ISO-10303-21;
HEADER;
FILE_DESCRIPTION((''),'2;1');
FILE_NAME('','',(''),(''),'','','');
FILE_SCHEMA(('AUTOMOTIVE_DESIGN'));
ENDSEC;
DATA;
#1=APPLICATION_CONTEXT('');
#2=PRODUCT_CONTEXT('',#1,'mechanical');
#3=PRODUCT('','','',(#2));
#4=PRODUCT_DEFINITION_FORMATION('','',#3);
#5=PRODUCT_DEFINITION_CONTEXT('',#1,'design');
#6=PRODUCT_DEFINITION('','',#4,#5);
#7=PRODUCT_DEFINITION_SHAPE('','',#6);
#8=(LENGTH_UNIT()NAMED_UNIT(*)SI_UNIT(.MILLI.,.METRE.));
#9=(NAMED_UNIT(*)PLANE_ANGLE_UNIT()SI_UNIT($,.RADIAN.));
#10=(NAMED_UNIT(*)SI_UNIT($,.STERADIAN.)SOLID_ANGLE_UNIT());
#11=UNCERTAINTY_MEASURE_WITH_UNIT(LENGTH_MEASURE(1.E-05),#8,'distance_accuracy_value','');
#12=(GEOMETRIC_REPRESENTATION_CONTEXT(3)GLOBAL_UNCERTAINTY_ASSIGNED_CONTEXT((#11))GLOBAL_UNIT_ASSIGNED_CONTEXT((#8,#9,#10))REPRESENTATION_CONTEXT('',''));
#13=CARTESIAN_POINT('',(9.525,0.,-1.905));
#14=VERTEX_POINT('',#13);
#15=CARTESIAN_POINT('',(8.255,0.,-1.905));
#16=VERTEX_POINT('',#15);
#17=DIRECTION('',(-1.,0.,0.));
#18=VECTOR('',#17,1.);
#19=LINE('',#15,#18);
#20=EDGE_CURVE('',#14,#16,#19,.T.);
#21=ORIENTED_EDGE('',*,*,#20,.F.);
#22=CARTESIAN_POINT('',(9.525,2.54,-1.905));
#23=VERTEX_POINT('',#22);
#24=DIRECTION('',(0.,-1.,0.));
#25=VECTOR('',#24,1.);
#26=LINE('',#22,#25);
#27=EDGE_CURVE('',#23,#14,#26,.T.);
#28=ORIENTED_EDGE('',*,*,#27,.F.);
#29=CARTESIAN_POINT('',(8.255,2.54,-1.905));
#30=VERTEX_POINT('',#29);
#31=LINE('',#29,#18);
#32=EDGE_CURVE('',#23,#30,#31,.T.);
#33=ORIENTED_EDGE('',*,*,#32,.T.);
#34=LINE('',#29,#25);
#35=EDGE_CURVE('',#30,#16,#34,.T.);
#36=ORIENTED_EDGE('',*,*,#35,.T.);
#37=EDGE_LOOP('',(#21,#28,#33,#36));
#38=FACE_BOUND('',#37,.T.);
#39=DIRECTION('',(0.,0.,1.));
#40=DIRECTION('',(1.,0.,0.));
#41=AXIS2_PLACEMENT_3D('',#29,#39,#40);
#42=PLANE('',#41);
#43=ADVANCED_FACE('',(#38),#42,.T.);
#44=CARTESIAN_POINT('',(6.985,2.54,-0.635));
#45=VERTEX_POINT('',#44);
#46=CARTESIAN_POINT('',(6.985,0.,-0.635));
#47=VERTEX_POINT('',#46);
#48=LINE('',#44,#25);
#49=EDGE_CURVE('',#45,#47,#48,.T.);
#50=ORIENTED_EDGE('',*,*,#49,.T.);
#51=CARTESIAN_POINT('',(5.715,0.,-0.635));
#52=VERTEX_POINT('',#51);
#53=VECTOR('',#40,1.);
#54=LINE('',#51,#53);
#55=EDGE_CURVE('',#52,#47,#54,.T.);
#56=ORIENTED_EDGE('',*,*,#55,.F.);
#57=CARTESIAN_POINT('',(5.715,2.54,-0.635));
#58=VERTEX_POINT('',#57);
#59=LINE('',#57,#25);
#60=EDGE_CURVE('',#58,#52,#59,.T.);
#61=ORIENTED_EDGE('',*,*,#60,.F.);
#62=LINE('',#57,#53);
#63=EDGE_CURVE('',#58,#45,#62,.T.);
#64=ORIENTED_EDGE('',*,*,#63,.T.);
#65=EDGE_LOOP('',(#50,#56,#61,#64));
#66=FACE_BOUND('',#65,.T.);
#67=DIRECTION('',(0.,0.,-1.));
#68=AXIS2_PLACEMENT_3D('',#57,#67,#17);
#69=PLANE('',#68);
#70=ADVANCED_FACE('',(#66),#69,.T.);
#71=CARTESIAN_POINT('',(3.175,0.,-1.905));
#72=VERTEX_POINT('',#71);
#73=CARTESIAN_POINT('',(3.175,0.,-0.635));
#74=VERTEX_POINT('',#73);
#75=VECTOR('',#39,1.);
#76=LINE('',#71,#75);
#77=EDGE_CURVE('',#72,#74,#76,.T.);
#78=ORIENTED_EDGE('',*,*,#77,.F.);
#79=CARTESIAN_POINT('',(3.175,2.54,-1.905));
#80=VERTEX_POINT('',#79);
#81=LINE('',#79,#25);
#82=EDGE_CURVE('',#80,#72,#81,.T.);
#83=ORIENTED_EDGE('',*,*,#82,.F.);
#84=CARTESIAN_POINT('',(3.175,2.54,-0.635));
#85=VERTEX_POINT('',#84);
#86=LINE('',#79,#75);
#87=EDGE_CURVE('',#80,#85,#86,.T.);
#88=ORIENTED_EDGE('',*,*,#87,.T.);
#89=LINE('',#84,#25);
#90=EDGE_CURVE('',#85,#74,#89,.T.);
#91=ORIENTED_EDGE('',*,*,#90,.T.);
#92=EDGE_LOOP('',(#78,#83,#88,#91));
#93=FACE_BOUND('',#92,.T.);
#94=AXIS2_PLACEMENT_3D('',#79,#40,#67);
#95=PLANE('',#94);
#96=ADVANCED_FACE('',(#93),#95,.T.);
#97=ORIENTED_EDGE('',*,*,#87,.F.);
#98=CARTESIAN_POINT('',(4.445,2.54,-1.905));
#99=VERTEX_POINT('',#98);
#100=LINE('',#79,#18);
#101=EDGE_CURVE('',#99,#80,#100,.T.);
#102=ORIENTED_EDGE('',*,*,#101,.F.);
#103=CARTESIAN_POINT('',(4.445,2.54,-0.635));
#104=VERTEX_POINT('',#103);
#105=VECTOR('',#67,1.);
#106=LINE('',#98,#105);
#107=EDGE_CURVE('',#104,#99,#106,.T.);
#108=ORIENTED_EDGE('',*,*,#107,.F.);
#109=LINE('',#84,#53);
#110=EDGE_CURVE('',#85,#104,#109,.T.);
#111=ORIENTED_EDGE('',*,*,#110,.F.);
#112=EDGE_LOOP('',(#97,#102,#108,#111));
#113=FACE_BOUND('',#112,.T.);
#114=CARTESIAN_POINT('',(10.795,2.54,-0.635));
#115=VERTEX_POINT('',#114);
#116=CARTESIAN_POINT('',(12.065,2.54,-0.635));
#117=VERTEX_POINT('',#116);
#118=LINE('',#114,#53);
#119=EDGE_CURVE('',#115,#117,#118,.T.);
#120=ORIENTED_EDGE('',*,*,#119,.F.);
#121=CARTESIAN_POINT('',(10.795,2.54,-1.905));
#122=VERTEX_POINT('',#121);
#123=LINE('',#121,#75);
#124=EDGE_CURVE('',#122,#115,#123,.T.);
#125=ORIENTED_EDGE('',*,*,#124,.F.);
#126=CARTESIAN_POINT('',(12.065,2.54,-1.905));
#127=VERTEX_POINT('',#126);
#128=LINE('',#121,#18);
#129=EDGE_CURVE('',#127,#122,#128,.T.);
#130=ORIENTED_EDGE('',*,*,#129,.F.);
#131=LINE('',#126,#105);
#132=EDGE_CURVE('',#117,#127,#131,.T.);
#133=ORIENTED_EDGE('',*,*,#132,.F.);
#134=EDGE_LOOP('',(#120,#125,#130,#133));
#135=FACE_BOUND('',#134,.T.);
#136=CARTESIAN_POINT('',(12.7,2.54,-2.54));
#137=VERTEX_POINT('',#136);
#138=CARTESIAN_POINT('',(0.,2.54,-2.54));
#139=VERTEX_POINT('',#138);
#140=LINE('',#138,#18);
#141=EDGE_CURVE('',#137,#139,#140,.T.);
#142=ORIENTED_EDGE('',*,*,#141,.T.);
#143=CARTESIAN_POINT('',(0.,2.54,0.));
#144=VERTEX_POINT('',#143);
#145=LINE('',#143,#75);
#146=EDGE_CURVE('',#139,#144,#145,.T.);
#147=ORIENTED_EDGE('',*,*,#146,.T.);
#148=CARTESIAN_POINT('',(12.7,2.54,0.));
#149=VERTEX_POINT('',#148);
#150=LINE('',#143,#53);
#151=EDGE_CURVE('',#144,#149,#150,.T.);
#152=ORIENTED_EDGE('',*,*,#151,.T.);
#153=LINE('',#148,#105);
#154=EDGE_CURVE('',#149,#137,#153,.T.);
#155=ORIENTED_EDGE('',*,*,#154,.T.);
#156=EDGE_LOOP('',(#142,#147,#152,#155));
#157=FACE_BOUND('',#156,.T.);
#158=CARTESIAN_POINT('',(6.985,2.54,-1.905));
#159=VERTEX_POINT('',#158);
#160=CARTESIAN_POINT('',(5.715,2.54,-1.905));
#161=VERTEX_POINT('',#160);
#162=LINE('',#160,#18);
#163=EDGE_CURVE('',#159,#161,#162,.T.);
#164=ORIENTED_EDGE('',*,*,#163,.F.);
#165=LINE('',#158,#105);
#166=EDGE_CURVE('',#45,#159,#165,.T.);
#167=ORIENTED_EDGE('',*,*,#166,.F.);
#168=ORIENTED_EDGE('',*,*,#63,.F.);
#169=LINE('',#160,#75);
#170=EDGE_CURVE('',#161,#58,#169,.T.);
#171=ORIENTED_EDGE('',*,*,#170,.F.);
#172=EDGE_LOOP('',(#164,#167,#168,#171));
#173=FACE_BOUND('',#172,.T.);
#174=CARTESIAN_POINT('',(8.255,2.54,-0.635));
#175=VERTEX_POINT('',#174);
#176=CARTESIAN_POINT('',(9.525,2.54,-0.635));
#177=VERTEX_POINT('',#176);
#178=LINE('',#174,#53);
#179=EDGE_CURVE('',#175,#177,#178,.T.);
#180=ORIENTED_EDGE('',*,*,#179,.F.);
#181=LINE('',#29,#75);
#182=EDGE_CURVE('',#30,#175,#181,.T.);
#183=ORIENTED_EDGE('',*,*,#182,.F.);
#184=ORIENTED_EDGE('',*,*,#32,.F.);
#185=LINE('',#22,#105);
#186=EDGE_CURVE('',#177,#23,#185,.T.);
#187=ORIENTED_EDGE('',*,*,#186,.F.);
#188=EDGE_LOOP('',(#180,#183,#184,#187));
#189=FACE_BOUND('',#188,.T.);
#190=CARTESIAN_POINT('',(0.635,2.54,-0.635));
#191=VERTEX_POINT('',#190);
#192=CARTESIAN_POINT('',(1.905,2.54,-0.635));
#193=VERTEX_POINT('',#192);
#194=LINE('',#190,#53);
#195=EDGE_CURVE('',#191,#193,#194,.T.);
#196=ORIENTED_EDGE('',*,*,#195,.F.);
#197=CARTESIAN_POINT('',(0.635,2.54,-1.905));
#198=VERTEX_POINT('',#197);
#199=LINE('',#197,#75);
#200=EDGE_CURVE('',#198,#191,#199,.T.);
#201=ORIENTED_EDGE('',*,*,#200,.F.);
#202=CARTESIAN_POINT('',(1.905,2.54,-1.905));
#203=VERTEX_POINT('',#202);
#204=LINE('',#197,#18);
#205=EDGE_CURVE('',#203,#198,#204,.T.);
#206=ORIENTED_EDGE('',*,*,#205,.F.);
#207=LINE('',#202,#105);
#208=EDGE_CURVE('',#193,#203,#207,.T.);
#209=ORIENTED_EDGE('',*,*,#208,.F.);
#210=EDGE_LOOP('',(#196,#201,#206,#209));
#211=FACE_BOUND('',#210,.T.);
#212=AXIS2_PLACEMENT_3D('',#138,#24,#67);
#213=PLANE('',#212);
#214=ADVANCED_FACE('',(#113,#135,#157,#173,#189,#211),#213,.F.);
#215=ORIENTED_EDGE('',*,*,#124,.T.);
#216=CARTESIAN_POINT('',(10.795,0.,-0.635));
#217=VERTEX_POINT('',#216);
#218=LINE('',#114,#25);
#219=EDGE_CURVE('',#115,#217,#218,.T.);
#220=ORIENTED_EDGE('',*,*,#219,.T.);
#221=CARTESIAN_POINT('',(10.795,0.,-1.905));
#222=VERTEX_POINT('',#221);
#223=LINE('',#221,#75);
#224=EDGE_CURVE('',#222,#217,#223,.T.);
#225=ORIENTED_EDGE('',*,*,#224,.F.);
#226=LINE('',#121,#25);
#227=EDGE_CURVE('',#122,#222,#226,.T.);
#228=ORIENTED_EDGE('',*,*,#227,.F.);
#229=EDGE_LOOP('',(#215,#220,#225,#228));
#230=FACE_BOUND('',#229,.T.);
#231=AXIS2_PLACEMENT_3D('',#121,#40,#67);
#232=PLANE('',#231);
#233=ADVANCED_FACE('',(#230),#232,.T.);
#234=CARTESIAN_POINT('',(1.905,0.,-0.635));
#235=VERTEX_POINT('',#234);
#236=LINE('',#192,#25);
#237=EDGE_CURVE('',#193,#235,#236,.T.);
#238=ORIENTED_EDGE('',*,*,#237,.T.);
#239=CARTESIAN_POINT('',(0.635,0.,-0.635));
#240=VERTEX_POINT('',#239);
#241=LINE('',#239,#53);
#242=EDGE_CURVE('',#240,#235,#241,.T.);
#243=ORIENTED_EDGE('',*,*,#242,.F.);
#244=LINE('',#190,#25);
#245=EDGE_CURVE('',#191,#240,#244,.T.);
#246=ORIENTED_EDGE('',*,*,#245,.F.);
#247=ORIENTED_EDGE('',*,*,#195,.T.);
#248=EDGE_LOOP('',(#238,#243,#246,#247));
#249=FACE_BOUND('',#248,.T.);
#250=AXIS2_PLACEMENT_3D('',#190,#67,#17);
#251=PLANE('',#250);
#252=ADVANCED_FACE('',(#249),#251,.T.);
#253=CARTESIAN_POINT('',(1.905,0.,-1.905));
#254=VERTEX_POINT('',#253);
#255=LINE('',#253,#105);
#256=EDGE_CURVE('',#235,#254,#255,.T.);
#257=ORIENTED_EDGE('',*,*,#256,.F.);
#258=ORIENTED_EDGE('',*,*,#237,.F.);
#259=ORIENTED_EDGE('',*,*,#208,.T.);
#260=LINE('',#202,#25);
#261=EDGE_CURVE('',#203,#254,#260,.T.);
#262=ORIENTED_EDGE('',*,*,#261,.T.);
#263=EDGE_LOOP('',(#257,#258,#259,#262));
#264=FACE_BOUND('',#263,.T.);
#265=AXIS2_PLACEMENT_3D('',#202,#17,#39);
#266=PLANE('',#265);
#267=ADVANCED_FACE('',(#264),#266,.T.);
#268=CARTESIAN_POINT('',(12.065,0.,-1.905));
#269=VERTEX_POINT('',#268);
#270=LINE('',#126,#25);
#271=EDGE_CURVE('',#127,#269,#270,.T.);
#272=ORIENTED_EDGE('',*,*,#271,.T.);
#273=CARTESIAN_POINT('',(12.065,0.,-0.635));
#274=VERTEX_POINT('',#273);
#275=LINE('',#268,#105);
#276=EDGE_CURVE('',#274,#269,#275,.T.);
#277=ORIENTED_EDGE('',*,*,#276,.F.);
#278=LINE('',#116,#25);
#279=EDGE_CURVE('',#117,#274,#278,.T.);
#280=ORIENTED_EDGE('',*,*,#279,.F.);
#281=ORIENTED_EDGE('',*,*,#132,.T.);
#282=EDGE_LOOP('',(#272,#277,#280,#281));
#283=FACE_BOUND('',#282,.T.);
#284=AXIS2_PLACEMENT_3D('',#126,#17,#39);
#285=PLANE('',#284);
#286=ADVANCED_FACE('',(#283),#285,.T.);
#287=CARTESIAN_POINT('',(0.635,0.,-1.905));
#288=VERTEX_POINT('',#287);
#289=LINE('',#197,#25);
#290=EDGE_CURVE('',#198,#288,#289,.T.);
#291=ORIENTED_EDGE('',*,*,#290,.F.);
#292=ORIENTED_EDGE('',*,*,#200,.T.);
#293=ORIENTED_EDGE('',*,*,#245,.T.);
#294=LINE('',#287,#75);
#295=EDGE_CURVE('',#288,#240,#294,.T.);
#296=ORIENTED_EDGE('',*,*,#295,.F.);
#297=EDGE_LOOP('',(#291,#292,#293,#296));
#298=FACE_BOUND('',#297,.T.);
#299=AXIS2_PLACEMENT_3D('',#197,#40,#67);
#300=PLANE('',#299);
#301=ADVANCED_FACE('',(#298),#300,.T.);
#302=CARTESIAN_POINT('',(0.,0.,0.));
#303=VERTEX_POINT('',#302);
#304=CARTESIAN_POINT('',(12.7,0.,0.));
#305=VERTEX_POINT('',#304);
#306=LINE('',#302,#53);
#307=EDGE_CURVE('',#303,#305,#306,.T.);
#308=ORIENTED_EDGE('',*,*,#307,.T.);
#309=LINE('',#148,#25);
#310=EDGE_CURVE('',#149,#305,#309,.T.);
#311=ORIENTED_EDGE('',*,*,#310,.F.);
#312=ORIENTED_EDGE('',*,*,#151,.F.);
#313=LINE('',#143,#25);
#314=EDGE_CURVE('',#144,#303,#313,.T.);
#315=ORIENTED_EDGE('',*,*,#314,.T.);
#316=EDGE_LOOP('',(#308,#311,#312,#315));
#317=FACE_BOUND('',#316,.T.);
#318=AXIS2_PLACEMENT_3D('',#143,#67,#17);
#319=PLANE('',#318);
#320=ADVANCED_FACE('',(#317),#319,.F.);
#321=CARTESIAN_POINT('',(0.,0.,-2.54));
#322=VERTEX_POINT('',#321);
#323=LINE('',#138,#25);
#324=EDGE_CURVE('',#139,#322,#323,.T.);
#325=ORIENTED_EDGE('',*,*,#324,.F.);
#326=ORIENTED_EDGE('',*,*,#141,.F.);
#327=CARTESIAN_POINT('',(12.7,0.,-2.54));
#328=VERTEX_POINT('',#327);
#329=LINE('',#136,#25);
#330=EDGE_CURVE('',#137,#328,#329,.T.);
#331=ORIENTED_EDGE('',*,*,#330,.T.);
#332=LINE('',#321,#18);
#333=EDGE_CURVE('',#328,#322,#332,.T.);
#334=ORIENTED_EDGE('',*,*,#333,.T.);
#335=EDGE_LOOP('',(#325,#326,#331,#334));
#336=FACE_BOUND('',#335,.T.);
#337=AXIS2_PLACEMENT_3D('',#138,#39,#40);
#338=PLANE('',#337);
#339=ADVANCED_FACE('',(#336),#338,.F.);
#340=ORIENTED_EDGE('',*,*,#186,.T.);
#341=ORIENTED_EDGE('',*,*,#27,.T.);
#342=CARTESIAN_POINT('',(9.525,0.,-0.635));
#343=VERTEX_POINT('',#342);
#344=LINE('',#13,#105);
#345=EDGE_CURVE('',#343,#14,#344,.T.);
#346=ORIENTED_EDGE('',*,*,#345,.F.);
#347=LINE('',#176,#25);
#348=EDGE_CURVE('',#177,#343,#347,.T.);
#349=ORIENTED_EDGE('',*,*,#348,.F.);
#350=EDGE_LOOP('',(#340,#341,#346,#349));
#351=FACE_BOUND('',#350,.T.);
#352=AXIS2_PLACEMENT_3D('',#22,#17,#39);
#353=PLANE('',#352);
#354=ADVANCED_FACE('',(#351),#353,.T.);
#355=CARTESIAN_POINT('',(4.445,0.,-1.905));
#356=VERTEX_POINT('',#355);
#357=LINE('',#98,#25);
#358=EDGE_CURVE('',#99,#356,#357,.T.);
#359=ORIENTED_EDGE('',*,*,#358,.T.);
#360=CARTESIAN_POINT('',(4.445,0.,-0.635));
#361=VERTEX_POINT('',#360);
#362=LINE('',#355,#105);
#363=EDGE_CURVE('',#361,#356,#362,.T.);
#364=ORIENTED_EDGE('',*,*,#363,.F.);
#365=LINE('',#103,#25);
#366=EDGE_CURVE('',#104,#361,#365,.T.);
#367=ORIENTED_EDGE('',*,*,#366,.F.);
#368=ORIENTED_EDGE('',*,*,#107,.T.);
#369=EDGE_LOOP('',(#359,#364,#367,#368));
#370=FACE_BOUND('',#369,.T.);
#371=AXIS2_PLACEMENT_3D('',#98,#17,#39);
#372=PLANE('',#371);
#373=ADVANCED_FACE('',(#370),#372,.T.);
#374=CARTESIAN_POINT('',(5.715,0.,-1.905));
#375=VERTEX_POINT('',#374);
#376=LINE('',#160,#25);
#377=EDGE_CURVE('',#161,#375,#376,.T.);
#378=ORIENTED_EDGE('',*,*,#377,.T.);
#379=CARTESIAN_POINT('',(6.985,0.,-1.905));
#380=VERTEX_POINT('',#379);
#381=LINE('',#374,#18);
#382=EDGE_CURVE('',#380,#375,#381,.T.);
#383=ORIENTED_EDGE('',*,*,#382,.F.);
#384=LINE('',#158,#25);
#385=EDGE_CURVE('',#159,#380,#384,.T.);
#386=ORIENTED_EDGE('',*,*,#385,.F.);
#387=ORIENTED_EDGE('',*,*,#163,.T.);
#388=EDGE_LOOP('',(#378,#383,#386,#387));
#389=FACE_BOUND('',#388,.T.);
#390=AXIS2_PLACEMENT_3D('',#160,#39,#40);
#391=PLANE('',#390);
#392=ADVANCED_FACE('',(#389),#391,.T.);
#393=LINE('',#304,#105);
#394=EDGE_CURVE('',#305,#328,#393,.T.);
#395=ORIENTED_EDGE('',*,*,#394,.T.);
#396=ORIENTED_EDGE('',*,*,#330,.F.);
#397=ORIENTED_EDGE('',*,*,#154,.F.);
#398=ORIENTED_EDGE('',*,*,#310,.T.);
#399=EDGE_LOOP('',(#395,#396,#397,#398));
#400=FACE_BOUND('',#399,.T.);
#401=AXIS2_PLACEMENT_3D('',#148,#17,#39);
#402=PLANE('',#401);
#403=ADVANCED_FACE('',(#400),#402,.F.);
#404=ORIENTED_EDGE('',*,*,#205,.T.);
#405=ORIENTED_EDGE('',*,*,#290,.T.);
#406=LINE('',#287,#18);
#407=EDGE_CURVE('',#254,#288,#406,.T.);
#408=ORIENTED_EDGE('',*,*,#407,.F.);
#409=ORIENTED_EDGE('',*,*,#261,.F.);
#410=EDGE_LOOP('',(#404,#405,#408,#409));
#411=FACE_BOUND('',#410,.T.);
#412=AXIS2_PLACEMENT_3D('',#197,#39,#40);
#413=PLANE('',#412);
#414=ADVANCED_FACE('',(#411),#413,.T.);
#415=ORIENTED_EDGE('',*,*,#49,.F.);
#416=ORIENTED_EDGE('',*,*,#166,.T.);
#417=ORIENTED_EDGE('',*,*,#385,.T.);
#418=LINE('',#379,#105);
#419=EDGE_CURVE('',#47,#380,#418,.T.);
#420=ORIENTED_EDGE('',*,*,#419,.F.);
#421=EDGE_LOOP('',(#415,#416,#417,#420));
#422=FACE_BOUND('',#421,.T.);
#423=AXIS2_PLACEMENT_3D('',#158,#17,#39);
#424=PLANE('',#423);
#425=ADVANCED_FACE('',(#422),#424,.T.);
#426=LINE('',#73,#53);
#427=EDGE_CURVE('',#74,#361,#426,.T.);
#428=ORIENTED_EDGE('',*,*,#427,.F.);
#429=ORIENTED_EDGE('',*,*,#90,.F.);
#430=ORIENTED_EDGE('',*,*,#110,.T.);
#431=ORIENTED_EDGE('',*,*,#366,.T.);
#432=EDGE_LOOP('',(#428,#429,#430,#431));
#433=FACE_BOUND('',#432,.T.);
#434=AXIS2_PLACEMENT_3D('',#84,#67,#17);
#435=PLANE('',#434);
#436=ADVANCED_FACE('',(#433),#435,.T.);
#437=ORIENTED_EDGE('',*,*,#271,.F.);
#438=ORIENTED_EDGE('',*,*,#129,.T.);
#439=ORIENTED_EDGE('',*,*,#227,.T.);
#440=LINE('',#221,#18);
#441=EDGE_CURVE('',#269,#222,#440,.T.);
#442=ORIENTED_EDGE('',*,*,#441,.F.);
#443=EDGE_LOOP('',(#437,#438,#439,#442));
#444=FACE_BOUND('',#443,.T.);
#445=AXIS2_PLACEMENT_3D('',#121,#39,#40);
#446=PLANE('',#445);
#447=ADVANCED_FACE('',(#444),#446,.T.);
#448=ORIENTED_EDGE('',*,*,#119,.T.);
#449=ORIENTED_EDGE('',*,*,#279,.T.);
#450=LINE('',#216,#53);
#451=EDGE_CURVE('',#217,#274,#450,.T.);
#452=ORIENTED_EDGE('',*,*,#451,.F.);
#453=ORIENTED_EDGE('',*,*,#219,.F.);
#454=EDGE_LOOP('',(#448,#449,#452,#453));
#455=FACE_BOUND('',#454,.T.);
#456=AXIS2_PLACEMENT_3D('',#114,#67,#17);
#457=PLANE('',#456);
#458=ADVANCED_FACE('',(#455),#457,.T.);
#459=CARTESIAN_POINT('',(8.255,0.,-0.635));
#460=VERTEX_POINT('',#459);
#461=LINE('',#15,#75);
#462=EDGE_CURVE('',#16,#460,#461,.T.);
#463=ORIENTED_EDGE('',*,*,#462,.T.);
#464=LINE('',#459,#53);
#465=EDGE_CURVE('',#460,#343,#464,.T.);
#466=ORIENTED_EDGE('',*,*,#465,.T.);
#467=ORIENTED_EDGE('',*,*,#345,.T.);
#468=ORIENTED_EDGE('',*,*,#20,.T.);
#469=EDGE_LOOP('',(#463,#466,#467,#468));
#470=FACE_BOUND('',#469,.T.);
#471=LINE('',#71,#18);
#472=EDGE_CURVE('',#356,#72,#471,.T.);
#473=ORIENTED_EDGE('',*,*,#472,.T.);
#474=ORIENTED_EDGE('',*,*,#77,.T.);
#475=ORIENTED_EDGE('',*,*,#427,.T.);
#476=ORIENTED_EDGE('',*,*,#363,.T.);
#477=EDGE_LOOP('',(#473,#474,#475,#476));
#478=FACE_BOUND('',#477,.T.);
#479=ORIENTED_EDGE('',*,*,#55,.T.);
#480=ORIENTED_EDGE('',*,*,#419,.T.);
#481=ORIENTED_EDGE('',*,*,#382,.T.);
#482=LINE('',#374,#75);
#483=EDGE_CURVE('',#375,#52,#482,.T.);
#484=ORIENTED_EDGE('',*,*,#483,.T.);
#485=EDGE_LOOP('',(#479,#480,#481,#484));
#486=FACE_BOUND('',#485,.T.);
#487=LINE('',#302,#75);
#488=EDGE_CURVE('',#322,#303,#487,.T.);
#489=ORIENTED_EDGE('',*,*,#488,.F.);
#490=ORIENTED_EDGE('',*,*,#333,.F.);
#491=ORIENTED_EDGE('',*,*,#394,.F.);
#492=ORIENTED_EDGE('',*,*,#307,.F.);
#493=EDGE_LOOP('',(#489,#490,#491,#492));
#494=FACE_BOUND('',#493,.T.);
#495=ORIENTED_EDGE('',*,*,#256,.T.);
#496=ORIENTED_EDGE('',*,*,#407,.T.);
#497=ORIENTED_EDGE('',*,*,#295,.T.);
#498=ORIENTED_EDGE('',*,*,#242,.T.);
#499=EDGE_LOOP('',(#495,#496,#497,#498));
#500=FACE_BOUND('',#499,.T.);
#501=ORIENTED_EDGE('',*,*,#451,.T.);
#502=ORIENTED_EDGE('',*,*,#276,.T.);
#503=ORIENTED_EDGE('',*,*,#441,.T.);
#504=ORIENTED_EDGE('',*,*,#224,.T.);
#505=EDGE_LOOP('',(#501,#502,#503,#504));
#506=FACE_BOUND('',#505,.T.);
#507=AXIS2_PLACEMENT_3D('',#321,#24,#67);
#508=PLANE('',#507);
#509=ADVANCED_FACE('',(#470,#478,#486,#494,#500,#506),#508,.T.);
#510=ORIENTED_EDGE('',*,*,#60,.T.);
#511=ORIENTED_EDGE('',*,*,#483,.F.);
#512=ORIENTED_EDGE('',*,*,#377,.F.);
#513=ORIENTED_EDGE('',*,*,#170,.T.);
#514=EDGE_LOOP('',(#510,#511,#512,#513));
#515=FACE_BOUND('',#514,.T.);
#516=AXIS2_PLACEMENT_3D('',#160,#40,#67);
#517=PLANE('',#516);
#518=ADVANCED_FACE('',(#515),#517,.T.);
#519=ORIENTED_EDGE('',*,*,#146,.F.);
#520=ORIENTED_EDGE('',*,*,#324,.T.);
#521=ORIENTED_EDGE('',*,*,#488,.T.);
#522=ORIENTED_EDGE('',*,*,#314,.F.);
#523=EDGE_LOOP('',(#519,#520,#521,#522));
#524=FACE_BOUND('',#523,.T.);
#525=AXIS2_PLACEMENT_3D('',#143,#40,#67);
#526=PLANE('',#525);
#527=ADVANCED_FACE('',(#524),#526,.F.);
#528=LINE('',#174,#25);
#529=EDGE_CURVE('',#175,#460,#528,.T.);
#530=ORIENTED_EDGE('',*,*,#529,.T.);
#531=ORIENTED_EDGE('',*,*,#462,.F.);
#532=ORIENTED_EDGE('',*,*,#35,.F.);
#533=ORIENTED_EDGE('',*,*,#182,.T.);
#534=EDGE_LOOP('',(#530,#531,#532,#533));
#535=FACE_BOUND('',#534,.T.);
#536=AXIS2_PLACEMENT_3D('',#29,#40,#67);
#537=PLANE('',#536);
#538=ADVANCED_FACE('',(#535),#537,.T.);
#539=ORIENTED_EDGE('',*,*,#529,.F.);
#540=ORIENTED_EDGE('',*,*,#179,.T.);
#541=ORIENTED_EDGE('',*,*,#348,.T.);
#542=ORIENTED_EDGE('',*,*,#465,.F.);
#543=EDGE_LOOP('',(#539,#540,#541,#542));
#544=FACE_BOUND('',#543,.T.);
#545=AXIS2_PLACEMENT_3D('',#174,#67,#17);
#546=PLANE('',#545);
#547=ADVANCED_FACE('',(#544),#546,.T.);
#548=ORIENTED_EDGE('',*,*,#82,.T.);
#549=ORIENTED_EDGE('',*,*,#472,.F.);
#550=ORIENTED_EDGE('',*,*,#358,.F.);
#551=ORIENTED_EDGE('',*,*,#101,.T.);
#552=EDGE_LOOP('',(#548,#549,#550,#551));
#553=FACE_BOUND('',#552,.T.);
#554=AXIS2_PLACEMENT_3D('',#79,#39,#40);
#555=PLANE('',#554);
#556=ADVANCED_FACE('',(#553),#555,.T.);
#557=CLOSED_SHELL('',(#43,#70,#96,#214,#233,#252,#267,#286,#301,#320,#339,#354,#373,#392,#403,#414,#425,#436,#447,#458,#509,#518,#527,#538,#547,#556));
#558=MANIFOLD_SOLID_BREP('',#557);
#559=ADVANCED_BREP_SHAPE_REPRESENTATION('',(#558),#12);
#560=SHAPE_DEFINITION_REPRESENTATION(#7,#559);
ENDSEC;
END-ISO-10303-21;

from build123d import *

# Parameters (mm, degrees)
SKETCH1_W           = 12.7
SKETCH1_H           = 2.54
SKETCH1_W_2         = 1.27
SKETCH1_H_2         = 1.27
BOSS_EXTRUDE1_DEPTH = 2.54


with BuildPart() as part:
    # Sketch1 → Boss-Extrude1 (new body)
    with BuildSketch(Plane(origin=(0, 0, 0), x_dir=(1, 0, 0), z_dir=(0, 1, 0))):
        with Locations((6.35, 1.27)):
            Rectangle(SKETCH1_W, SKETCH1_H)
        with Locations((3.81, 1.27)):
            Rectangle(SKETCH1_W_2, SKETCH1_H_2, mode=Mode.SUBTRACT)
        with Locations((1.27, 1.27)):
            Rectangle(SKETCH1_W_2, SKETCH1_H_2, mode=Mode.SUBTRACT)
        with Locations((6.35, 1.27)):
            Rectangle(SKETCH1_W_2, SKETCH1_H_2, mode=Mode.SUBTRACT)
        with Locations((8.89, 1.27)):
            Rectangle(SKETCH1_W_2, SKETCH1_H_2, mode=Mode.SUBTRACT)
        with Locations((11.43, 1.27)):
            Rectangle(SKETCH1_W_2, SKETCH1_H_2, mode=Mode.SUBTRACT)
    extrude(amount=BOSS_EXTRUDE1_DEPTH)


solid = part.part
